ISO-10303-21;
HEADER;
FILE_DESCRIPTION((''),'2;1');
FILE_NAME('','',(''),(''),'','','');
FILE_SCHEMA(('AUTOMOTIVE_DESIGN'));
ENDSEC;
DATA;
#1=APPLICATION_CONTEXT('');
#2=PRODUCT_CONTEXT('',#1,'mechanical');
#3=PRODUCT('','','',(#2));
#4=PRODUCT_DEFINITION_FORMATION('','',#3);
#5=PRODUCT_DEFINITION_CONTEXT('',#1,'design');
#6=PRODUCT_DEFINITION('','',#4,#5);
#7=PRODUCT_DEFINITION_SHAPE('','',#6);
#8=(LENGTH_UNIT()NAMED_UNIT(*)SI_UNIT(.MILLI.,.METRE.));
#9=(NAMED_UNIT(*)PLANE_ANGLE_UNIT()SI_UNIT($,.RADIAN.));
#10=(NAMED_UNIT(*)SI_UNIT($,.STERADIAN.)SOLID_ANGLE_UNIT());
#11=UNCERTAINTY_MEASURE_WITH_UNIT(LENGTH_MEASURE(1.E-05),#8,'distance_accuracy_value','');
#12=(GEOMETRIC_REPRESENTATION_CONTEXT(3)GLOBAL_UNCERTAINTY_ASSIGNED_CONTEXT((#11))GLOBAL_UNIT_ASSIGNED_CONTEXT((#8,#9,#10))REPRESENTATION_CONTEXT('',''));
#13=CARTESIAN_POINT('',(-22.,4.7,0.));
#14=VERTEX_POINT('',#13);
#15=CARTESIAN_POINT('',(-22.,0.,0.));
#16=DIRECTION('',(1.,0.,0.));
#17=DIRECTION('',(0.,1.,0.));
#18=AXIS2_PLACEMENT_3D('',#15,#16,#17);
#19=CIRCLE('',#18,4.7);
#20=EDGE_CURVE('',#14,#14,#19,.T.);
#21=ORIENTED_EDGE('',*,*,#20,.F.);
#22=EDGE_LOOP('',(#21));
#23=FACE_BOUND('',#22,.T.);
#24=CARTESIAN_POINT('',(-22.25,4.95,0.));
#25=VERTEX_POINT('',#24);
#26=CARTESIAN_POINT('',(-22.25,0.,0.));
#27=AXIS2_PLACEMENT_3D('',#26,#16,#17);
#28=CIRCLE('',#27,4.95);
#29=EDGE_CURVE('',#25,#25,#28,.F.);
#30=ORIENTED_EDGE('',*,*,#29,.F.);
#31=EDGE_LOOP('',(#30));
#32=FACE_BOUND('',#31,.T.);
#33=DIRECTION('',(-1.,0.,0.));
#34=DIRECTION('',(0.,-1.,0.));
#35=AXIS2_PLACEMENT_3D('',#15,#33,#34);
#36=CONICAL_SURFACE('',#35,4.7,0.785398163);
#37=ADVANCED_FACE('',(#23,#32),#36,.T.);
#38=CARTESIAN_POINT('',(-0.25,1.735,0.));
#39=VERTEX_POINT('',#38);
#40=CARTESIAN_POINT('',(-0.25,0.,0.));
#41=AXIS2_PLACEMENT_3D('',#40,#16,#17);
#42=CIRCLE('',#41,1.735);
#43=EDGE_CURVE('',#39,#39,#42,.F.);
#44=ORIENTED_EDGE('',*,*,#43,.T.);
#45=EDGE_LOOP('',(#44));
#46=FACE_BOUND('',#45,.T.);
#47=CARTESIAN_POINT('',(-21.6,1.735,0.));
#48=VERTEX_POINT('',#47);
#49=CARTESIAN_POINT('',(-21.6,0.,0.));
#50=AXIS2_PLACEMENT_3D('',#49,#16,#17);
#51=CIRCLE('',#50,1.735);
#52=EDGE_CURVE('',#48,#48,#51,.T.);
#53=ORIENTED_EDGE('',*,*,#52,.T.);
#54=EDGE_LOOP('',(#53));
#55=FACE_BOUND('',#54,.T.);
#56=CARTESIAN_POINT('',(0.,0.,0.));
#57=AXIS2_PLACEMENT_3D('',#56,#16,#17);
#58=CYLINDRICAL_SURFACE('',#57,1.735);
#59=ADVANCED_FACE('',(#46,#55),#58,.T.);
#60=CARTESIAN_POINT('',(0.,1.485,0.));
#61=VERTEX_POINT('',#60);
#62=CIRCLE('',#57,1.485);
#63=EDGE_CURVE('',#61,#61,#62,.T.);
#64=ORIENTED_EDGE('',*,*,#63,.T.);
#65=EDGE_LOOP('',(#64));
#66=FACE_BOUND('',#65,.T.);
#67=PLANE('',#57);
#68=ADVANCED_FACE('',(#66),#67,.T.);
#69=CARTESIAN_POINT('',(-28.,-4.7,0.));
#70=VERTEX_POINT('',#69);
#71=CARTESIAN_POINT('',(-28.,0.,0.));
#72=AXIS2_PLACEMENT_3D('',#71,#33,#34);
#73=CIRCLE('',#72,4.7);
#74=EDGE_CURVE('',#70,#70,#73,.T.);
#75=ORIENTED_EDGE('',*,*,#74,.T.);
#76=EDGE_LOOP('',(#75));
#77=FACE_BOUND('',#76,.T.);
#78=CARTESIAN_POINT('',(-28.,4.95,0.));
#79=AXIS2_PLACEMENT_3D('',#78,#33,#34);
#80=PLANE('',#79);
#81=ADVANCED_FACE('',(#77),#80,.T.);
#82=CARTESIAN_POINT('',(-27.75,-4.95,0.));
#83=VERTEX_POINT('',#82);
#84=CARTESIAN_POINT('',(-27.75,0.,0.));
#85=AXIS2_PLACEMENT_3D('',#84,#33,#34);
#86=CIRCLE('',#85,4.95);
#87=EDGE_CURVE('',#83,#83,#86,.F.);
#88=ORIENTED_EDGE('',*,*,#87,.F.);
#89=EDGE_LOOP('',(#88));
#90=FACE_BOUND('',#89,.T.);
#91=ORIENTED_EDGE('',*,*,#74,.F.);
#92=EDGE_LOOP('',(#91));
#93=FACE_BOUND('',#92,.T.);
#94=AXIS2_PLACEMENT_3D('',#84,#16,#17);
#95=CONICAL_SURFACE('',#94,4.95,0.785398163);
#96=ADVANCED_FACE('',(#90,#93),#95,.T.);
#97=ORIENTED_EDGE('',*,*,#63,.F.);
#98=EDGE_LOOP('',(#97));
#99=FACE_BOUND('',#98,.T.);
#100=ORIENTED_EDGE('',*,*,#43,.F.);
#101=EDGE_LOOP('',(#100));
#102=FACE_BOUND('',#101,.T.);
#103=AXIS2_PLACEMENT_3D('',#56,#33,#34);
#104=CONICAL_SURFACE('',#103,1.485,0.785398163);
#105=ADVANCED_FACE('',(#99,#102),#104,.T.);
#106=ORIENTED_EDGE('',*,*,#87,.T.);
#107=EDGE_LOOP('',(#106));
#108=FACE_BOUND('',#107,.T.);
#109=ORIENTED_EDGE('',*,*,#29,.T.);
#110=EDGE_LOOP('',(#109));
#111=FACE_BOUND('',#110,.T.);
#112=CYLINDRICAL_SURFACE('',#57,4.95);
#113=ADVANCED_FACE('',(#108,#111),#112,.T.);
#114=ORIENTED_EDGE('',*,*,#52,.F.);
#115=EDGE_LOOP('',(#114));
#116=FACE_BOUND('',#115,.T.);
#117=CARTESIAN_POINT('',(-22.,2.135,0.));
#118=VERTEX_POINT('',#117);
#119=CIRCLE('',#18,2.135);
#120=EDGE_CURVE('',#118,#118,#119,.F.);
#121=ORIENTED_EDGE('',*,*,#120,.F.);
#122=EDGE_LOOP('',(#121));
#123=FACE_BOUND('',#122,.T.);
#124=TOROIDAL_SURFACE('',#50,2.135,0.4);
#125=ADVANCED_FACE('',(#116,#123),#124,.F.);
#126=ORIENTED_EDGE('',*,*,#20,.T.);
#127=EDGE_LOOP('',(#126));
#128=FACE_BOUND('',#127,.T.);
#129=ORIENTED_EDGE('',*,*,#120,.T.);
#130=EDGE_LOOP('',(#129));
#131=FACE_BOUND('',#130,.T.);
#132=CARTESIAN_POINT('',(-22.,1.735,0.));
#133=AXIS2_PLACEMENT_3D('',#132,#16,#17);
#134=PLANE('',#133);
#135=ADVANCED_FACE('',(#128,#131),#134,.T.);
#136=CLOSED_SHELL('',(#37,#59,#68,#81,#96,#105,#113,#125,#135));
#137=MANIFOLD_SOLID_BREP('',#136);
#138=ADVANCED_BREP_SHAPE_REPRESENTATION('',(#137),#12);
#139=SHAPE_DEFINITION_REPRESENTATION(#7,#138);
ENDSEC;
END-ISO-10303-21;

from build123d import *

# Parameters (mm, degrees)
CHAMFER1_SIZE = 0.25
FILLET1_R     = 0.4


with BuildPart() as part:
    # Sketch1 → Revolve1 (revolve)
    with BuildSketch(Plane.XY):
        Polygon((0, 0), (0, 1.735), (-22, 1.735), (-22, 4.95), (-28, 4.95), (-28, 0), align=None)
    revolve(axis=Axis((0, 0, 0), (-1, 0, 0)))

    # Chamfer1
    chamfer1_edges = [part.edges().sort_by_distance(p)[0] for p in [
        (0, -1.735, 0),
        (-22, -4.95, 0),
        (-28, -4.95, 0),
    ]]
    chamfer(chamfer1_edges, length=CHAMFER1_SIZE)

    # Fillet1
    fillet1_edges = [part.edges().sort_by_distance(p)[0] for p in [
        (-22, -1.735, 0),
    ]]
    fillet(fillet1_edges, radius=FILLET1_R)


solid = part.part
